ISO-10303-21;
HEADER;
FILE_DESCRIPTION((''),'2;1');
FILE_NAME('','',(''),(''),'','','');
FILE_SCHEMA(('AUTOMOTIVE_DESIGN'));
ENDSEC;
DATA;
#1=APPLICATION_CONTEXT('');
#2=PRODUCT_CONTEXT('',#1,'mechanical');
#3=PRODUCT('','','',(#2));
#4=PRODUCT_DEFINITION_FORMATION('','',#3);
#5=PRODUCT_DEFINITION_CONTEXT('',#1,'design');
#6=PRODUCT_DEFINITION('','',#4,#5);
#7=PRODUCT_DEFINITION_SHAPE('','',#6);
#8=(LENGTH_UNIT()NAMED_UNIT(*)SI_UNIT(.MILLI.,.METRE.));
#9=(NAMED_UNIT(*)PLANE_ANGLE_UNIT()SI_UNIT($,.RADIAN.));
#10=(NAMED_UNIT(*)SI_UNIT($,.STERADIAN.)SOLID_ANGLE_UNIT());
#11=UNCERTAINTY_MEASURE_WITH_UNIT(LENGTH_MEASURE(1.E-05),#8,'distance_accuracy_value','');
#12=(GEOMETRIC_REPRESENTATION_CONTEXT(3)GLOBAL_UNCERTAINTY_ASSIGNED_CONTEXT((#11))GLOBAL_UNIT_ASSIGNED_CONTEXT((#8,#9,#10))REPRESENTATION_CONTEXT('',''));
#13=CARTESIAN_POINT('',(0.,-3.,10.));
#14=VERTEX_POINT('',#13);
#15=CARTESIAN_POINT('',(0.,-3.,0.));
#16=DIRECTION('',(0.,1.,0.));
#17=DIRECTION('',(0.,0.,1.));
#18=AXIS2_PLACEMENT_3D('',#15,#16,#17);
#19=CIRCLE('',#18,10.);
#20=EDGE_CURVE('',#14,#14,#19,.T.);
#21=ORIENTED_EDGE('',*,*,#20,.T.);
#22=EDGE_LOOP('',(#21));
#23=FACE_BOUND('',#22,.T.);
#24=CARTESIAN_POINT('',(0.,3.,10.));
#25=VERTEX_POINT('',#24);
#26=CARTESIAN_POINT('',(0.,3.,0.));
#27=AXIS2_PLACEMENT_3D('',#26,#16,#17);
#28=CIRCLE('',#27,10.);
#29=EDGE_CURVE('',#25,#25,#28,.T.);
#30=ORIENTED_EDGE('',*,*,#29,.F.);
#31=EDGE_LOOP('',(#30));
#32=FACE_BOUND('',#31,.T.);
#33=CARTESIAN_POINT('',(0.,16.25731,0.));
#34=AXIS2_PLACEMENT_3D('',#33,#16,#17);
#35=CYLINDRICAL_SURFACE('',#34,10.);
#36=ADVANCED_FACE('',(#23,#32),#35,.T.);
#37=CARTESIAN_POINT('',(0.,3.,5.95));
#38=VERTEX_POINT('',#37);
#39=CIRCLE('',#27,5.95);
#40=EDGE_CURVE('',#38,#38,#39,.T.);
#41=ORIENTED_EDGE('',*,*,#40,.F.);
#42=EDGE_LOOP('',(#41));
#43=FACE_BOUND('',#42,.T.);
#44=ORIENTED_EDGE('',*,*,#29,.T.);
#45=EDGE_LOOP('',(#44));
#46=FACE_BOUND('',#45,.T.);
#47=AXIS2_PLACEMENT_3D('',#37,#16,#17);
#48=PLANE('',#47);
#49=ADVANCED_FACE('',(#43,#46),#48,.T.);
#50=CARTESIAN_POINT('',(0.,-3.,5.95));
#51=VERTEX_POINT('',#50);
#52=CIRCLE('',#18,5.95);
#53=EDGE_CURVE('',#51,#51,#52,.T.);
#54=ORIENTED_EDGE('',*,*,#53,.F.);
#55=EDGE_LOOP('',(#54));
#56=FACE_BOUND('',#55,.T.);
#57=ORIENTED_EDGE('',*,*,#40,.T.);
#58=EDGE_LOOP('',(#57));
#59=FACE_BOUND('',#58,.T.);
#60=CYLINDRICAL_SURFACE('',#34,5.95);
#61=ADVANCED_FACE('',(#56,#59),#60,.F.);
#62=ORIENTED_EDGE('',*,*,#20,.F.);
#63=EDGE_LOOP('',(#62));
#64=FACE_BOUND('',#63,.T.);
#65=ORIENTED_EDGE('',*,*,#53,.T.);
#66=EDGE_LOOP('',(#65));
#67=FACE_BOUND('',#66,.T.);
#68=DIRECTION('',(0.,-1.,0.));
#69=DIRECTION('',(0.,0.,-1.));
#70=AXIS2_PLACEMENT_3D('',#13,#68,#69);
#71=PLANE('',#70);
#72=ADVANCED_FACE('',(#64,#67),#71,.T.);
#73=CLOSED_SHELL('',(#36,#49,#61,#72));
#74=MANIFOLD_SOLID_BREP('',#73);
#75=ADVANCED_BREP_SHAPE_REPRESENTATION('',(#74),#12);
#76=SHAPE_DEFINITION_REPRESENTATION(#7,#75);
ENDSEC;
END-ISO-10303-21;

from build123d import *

# Parameters (mm, degrees)
SKETCH1_W = 4.05
SKETCH1_H = 6


with BuildPart() as part:
    # Sketch1 → Revolve1 (revolve)
    with BuildSketch(Plane(origin=(0, 0, 0), x_dir=(0, 0, -1), z_dir=(1, 0, 0))):
        with Locations((-7.975, 0)):
            Rectangle(SKETCH1_W, SKETCH1_H)
    revolve(axis=Axis((0, 16.257309942, 0), (0, -1, 0)))


solid = part.part
